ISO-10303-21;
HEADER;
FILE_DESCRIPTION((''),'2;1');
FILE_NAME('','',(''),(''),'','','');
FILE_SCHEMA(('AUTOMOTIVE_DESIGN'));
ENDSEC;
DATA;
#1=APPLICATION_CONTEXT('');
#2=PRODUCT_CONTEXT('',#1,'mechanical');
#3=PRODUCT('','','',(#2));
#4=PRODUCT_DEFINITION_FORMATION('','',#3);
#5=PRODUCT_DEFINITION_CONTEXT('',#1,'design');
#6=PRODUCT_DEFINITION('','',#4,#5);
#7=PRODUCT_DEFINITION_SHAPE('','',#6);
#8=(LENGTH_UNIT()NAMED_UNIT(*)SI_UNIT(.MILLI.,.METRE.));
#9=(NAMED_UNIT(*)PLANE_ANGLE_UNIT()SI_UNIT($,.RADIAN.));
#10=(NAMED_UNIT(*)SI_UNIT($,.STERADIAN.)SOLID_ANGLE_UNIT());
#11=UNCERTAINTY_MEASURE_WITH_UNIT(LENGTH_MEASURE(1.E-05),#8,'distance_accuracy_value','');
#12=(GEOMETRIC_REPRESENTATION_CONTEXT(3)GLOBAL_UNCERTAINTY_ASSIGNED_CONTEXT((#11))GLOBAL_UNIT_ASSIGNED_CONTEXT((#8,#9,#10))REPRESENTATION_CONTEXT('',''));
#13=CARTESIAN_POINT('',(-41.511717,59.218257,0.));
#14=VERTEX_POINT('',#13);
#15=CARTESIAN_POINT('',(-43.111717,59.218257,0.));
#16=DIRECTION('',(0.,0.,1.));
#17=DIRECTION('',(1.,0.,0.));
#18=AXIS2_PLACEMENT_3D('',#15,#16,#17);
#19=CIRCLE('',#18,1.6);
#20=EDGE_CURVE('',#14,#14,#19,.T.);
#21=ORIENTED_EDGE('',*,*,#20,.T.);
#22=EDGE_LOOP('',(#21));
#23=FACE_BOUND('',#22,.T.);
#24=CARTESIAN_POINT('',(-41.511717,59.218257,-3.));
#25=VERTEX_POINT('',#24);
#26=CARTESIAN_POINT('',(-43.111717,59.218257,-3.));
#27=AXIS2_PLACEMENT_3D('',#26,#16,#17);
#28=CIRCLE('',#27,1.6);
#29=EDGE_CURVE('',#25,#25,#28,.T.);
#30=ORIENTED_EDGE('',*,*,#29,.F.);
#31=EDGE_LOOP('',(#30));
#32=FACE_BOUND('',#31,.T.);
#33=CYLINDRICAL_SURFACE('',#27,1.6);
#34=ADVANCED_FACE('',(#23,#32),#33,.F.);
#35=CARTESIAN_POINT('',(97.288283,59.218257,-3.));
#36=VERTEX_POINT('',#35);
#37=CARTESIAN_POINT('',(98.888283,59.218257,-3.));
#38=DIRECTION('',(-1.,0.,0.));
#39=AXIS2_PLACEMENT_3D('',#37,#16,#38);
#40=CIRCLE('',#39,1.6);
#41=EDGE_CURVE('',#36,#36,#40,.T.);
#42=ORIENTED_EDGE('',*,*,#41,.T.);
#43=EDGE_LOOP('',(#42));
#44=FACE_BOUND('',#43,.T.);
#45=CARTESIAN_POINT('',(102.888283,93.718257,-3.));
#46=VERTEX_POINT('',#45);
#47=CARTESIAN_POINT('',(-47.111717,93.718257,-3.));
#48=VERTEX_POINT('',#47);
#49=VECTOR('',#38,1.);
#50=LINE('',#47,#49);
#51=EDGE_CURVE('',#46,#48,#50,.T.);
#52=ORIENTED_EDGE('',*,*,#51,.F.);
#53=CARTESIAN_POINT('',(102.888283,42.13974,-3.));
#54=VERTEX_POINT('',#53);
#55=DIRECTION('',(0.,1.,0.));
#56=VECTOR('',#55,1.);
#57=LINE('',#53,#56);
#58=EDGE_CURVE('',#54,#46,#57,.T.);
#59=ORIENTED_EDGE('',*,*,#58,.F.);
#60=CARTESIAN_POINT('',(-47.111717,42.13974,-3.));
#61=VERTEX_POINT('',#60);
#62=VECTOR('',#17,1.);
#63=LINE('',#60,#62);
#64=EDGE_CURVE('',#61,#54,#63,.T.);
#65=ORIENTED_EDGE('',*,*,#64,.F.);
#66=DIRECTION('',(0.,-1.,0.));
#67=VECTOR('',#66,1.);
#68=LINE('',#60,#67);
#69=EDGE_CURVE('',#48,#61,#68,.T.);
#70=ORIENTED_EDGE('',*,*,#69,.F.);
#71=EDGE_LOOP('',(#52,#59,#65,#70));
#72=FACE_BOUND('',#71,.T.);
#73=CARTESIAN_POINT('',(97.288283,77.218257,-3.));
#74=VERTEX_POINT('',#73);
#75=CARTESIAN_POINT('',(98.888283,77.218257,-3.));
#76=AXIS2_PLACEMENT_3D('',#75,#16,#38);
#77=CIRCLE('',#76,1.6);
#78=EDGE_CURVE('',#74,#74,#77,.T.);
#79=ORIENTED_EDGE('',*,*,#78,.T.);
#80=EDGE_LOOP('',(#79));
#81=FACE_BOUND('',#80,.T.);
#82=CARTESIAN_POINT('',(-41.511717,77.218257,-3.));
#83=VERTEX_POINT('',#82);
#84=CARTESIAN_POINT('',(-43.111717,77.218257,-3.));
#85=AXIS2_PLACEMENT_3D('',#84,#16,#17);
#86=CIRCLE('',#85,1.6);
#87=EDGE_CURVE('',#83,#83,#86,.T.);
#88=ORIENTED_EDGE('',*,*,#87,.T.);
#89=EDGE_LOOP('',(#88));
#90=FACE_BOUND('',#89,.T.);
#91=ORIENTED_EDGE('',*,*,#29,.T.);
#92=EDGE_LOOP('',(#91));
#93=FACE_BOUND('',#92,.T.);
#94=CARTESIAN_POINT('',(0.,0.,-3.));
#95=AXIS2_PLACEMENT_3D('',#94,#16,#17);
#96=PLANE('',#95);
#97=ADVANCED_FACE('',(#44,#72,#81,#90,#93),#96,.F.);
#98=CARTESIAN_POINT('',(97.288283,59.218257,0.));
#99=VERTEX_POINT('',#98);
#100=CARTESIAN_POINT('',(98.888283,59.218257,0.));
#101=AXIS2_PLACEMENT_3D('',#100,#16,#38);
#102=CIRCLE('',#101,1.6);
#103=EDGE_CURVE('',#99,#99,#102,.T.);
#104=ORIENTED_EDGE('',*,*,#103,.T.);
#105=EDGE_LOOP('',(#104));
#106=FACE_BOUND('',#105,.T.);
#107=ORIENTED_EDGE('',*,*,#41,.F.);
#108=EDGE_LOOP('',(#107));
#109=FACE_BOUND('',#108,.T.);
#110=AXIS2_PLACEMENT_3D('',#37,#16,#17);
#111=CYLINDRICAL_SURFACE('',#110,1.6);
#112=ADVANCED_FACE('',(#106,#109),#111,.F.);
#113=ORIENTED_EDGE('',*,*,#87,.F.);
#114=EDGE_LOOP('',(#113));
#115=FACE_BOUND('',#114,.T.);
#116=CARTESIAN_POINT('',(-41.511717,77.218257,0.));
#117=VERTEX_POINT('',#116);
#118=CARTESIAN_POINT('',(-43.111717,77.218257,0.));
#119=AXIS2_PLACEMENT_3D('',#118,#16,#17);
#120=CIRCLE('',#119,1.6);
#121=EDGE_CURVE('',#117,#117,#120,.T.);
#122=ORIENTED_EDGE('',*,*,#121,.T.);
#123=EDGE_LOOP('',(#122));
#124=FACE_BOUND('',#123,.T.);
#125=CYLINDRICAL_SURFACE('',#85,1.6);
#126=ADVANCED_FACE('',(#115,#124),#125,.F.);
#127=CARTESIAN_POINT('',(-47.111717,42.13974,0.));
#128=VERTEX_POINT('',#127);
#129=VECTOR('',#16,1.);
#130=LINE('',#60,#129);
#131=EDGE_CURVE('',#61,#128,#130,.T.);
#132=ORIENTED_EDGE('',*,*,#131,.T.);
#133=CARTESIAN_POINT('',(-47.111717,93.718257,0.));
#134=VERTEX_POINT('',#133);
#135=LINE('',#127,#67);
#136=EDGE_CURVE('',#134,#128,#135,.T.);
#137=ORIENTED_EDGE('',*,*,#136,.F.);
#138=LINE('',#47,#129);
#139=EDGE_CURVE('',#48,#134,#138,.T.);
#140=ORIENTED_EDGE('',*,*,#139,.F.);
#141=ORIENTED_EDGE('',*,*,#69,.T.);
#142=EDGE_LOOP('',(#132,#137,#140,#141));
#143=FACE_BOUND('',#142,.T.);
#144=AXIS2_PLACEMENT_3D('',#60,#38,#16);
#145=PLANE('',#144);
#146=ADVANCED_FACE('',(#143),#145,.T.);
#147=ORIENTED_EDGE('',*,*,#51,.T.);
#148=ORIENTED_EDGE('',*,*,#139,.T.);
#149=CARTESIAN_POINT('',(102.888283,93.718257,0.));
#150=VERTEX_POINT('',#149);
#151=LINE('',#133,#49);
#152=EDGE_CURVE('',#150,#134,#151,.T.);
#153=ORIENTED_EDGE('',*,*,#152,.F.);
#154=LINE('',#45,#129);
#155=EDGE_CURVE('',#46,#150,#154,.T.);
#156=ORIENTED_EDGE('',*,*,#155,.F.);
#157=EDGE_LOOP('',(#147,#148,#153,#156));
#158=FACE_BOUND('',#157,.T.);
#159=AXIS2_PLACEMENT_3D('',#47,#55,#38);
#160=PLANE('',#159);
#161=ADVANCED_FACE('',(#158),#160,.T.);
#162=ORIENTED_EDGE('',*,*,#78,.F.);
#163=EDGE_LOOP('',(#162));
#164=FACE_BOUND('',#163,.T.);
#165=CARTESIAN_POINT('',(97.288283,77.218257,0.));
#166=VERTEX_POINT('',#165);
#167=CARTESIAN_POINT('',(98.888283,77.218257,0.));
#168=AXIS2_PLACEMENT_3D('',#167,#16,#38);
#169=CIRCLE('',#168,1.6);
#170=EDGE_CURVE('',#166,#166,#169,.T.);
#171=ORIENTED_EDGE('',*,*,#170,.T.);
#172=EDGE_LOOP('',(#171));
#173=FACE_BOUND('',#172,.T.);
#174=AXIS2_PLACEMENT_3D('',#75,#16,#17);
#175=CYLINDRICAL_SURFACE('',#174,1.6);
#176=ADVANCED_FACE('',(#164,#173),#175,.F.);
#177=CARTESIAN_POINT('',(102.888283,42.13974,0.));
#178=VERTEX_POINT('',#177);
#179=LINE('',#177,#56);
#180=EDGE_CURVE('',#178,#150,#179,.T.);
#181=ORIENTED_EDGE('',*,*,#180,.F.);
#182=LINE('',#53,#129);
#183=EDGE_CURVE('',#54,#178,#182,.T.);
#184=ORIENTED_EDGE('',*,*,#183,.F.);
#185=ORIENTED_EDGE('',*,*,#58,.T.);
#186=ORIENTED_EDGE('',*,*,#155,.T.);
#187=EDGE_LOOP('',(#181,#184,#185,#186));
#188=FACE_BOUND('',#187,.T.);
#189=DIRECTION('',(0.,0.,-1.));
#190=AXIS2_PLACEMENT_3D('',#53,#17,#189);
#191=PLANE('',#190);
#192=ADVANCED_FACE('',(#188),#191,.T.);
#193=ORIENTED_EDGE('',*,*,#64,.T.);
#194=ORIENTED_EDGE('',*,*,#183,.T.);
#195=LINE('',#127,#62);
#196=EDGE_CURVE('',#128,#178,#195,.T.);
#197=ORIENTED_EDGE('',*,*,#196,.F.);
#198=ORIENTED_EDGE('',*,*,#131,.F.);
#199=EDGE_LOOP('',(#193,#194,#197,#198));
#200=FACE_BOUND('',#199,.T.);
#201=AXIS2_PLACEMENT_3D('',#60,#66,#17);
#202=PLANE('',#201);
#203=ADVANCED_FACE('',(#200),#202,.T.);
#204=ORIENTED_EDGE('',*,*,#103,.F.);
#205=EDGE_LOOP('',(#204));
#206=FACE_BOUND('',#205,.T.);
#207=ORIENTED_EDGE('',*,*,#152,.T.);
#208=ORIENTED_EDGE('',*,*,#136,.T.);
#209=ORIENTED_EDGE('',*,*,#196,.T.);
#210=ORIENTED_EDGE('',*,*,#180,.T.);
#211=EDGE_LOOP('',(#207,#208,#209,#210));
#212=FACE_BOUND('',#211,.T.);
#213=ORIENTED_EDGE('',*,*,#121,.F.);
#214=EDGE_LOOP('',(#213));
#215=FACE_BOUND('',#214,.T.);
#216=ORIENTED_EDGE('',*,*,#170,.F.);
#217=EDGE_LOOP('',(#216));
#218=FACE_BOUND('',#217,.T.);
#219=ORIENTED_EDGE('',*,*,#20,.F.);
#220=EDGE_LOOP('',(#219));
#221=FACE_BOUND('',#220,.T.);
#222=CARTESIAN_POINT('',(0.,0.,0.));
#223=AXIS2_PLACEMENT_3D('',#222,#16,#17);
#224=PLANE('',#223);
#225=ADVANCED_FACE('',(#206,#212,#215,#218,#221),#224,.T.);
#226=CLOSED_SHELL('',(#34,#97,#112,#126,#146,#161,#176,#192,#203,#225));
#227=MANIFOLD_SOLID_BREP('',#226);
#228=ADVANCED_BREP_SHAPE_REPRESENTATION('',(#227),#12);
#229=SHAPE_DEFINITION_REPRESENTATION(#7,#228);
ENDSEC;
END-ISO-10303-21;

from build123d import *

# Parameters (mm, degrees)
SKETCH_1_W      = 150
SKETCH_1_H      = 51.578516668
SKETCH_1_R      = 1.6
EXTRUDE_1_DEPTH = 3


with BuildPart() as part:
    # 草图1 → 凸台-拉伸1 (new body)
    with BuildSketch(Plane.XY):
        with Locations((27.888283405, 67.928998275)):
            Rectangle(SKETCH_1_W, SKETCH_1_H)
        with Locations((-43.111716595, 77.218256609)):
            Circle(SKETCH_1_R, mode=Mode.SUBTRACT)
        with Locations((-43.111716595, 59.218256609)):
            Circle(SKETCH_1_R, mode=Mode.SUBTRACT)
        with Locations(Location((98.888283405, 59.218256609, 0), (0, 0, 180))):
            Circle(SKETCH_1_R, mode=Mode.SUBTRACT)
        with Locations(Location((98.888283405, 77.218256609, 0), (0, 0, 180))):
            Circle(SKETCH_1_R, mode=Mode.SUBTRACT)
    extrude(amount=-EXTRUDE_1_DEPTH)


solid = part.part
